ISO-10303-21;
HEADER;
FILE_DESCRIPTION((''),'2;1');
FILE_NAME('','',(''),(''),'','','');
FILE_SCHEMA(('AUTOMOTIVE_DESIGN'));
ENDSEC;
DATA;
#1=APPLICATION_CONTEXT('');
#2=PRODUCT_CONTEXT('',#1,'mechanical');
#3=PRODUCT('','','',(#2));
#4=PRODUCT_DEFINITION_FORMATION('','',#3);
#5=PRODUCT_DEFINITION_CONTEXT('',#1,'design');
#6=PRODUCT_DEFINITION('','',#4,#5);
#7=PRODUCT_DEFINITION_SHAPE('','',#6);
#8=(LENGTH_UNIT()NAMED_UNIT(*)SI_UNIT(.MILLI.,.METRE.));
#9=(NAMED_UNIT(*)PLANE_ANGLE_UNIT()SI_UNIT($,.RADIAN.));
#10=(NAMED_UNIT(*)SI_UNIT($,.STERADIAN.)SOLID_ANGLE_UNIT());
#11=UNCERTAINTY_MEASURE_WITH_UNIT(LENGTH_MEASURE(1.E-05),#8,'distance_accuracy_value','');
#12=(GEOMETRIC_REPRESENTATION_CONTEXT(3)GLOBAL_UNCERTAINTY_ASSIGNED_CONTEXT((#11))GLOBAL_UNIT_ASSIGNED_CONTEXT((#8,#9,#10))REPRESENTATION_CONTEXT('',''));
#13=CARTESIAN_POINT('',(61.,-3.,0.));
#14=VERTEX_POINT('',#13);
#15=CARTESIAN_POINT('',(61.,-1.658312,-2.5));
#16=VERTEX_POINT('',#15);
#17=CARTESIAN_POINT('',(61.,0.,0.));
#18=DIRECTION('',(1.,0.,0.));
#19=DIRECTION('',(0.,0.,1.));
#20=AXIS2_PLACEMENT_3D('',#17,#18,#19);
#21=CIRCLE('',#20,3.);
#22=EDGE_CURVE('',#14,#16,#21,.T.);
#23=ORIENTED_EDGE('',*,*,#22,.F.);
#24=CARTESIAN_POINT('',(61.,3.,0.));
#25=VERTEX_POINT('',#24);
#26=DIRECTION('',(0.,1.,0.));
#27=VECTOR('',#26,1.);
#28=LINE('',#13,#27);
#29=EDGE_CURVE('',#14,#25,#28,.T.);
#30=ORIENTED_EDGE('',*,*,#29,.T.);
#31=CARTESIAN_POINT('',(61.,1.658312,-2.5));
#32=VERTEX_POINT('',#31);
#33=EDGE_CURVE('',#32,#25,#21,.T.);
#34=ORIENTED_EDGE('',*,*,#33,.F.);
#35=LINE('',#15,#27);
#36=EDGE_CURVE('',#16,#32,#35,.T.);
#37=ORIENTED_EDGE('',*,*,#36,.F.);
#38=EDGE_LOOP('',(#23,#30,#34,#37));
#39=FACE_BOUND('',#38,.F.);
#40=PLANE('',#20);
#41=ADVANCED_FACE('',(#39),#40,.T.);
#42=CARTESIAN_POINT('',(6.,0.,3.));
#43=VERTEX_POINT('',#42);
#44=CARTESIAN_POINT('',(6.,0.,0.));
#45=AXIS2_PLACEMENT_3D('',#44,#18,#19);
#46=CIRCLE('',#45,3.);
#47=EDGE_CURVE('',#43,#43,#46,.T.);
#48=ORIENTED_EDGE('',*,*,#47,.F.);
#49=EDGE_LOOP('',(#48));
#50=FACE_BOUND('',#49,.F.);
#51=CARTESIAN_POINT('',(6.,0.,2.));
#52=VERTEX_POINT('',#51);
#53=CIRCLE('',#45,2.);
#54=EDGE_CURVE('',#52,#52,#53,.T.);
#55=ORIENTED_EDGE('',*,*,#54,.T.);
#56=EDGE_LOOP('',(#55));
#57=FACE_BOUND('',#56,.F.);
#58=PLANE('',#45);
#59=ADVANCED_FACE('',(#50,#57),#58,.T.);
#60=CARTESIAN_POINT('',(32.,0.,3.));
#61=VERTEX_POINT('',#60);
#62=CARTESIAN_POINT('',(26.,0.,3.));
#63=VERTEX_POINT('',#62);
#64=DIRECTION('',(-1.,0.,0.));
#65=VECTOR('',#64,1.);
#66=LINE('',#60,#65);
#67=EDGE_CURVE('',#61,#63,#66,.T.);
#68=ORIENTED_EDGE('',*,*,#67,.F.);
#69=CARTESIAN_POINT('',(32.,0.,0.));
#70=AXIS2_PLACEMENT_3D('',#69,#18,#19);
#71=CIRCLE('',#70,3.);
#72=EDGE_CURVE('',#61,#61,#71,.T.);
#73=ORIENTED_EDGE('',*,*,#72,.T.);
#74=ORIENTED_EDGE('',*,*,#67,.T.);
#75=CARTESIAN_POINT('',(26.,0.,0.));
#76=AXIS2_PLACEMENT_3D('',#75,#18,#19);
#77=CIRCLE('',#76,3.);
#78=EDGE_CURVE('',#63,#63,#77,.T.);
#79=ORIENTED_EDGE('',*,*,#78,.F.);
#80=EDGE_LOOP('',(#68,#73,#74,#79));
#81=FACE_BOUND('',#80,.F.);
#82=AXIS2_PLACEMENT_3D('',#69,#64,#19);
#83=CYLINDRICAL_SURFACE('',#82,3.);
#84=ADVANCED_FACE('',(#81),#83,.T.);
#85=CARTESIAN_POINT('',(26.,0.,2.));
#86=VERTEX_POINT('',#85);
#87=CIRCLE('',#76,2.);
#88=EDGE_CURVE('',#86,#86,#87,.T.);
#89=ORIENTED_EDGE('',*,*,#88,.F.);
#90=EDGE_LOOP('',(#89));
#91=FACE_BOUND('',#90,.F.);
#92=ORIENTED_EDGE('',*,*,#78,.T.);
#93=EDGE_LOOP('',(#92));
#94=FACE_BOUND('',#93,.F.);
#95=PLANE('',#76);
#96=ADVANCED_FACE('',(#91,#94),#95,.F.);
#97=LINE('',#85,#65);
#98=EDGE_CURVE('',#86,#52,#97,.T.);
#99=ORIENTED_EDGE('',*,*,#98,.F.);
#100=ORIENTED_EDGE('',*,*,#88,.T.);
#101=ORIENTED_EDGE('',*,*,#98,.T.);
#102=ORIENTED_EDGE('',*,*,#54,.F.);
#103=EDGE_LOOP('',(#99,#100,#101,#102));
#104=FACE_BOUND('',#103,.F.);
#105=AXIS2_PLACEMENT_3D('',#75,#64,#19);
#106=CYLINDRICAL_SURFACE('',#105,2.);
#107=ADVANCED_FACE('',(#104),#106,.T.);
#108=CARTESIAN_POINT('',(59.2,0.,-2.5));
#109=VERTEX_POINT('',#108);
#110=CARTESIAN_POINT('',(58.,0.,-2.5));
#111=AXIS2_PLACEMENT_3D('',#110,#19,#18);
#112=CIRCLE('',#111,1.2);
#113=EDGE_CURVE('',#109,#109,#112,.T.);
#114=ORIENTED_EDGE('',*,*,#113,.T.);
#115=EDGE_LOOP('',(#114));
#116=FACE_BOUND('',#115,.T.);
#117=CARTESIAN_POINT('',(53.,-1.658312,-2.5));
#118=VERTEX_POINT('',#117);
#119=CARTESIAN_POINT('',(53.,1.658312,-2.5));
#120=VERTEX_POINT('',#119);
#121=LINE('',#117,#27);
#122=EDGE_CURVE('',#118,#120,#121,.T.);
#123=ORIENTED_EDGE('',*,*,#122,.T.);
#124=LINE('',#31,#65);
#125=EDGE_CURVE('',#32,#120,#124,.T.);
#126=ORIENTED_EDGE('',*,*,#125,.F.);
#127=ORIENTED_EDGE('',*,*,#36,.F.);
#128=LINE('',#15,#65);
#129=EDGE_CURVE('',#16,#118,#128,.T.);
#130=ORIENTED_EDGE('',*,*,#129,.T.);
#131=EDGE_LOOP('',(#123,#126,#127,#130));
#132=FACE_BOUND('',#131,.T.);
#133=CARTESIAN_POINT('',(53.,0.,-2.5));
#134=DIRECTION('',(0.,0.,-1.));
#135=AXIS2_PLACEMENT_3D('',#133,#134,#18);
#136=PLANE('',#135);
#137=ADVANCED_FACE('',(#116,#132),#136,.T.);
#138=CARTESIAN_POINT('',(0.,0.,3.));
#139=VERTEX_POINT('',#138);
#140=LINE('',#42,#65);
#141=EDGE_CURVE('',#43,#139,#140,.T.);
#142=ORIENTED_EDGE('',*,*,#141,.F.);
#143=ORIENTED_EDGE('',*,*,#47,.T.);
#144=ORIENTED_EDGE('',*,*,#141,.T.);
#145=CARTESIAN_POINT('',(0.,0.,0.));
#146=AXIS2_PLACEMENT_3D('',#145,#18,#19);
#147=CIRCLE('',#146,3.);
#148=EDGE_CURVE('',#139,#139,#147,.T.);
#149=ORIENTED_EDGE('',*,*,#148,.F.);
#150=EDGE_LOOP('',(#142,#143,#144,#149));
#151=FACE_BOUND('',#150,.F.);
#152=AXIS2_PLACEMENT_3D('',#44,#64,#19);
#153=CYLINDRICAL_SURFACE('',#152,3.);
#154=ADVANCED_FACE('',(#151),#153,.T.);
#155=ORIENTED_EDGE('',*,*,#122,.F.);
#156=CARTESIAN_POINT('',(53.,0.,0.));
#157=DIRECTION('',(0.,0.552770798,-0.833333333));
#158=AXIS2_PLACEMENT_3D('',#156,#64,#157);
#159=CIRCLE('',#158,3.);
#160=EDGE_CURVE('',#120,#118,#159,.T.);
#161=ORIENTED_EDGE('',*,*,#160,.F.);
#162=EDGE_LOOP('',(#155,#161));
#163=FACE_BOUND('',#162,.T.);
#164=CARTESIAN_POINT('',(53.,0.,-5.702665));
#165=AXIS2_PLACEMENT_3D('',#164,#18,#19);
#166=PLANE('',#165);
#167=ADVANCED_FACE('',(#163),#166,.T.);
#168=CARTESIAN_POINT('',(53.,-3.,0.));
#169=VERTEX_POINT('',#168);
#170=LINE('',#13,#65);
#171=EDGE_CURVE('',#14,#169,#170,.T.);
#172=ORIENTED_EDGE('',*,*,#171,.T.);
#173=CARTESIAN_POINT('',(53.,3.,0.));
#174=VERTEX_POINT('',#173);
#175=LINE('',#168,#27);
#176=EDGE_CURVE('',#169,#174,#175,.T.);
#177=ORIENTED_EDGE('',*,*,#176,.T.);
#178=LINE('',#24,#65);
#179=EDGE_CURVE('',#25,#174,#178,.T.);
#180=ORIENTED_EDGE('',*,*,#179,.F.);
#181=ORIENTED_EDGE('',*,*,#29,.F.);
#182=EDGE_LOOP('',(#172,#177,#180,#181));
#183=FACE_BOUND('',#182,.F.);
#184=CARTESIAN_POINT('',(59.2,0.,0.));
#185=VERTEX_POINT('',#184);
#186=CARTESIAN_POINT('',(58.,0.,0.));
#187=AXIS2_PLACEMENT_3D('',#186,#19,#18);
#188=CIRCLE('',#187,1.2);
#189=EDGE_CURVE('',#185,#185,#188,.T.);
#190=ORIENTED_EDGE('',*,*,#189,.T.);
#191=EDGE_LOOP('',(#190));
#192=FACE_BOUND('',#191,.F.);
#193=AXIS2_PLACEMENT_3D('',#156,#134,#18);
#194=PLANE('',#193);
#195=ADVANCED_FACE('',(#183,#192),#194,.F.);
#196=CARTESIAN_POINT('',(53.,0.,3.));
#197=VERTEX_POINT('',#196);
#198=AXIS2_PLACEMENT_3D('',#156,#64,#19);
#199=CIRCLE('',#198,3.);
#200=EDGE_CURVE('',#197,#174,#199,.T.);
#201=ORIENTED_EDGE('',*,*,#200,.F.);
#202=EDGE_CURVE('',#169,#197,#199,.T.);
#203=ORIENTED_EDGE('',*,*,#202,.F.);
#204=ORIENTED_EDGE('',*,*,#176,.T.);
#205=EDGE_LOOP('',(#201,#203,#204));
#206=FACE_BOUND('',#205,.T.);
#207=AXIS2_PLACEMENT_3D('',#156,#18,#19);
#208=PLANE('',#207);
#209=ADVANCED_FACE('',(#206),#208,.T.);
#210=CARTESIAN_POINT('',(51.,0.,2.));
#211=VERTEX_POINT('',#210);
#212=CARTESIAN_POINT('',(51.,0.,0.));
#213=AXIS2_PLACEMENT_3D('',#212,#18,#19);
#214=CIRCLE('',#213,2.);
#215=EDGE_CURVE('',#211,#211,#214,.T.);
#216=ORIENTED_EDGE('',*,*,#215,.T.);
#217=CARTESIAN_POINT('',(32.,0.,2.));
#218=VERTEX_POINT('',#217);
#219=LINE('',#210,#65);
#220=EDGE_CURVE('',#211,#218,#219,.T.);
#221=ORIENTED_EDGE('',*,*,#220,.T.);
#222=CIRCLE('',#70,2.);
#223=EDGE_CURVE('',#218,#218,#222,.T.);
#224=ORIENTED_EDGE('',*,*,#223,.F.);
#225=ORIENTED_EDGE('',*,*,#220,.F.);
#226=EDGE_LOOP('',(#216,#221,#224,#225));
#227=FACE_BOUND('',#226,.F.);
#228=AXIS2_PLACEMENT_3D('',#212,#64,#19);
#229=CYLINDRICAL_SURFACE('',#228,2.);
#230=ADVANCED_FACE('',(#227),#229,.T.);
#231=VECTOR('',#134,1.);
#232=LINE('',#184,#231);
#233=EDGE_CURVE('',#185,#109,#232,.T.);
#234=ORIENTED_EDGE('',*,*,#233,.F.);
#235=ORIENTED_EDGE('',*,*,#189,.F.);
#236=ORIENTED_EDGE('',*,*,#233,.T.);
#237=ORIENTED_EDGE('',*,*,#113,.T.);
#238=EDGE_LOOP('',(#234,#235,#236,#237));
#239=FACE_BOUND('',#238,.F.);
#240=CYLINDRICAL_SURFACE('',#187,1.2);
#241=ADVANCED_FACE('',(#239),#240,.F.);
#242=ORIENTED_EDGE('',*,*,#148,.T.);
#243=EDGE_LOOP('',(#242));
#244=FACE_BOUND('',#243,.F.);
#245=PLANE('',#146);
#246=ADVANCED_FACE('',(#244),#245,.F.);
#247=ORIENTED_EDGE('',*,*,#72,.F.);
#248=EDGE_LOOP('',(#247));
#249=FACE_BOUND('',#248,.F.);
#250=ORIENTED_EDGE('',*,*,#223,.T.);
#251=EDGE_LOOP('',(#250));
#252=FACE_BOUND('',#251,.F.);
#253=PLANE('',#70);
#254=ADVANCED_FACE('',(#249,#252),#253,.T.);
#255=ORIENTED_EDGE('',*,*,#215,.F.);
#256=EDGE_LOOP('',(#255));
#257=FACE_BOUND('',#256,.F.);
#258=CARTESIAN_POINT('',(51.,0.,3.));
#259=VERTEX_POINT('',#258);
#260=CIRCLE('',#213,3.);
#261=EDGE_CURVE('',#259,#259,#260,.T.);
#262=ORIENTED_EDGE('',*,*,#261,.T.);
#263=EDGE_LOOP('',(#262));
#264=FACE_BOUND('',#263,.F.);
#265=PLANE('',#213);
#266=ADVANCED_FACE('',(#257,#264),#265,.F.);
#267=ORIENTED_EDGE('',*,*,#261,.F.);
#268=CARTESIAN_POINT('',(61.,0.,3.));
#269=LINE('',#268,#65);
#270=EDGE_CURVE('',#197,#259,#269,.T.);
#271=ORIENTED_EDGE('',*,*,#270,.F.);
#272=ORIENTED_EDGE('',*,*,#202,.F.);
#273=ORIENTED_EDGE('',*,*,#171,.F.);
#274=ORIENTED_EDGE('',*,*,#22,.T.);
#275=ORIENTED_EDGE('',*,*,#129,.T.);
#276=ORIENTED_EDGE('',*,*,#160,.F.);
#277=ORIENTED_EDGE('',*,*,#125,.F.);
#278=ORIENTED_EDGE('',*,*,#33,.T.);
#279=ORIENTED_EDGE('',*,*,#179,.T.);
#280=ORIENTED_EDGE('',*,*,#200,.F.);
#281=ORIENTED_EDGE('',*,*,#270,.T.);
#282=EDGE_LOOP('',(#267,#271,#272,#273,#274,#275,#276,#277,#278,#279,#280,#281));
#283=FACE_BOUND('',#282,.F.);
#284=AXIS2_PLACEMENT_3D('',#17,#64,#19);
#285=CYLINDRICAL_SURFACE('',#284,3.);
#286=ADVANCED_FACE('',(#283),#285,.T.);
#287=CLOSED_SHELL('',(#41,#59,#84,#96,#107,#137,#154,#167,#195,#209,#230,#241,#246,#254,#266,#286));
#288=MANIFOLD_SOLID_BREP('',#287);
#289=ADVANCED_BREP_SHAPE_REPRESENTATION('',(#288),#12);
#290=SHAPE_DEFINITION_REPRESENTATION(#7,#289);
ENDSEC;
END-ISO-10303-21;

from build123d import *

# Parameters (mm, degrees)
F2_W          = 11.2872527242
F2_H          = 5.0563791087
F2_H_2        = 3.2026648214
F3_DEPTH      = 3.001
F3_DEPTH_BACK = 3.001
F4_R          = 1.2
F5_DEPTH      = 3.001


with BuildPart() as f1:
    # F0 (on Front) → F1 (revolve)
    with BuildSketch(Plane.XZ):
        Polygon((0, 3), (0, 0), (61, 0), (61, 3), (51, 3), (51, 2), (32, 2), (32, 3), (26, 3), (26, 2), (6, 2), (6, 3), align=None)
    revolve(axis=Axis((32.858710736, 0, 0), (1, 0, 0)))

    # F2 (on Front) → F3 (cut, two sides)
    with BuildSketch(Plane.XZ) as f3_sk:
        with Locations((58.6436263621, 2.5281895543)):
            Rectangle(F2_W, F2_H)
        with Locations((58.6436263621, -4.1013324107)):
            Rectangle(F2_W, F2_H_2)
    extrude(amount=-F3_DEPTH, mode=Mode.SUBTRACT)
    extrude(f3_sk.sketch, amount=F3_DEPTH_BACK, mode=Mode.SUBTRACT)

    # F4 (on face) → F5 (cut, through all)
    with BuildSketch(Plane.XY):
        with Locations((58, 0)):
            Circle(F4_R)
    extrude(amount=-F5_DEPTH, mode=Mode.SUBTRACT)


solid = f1.part
